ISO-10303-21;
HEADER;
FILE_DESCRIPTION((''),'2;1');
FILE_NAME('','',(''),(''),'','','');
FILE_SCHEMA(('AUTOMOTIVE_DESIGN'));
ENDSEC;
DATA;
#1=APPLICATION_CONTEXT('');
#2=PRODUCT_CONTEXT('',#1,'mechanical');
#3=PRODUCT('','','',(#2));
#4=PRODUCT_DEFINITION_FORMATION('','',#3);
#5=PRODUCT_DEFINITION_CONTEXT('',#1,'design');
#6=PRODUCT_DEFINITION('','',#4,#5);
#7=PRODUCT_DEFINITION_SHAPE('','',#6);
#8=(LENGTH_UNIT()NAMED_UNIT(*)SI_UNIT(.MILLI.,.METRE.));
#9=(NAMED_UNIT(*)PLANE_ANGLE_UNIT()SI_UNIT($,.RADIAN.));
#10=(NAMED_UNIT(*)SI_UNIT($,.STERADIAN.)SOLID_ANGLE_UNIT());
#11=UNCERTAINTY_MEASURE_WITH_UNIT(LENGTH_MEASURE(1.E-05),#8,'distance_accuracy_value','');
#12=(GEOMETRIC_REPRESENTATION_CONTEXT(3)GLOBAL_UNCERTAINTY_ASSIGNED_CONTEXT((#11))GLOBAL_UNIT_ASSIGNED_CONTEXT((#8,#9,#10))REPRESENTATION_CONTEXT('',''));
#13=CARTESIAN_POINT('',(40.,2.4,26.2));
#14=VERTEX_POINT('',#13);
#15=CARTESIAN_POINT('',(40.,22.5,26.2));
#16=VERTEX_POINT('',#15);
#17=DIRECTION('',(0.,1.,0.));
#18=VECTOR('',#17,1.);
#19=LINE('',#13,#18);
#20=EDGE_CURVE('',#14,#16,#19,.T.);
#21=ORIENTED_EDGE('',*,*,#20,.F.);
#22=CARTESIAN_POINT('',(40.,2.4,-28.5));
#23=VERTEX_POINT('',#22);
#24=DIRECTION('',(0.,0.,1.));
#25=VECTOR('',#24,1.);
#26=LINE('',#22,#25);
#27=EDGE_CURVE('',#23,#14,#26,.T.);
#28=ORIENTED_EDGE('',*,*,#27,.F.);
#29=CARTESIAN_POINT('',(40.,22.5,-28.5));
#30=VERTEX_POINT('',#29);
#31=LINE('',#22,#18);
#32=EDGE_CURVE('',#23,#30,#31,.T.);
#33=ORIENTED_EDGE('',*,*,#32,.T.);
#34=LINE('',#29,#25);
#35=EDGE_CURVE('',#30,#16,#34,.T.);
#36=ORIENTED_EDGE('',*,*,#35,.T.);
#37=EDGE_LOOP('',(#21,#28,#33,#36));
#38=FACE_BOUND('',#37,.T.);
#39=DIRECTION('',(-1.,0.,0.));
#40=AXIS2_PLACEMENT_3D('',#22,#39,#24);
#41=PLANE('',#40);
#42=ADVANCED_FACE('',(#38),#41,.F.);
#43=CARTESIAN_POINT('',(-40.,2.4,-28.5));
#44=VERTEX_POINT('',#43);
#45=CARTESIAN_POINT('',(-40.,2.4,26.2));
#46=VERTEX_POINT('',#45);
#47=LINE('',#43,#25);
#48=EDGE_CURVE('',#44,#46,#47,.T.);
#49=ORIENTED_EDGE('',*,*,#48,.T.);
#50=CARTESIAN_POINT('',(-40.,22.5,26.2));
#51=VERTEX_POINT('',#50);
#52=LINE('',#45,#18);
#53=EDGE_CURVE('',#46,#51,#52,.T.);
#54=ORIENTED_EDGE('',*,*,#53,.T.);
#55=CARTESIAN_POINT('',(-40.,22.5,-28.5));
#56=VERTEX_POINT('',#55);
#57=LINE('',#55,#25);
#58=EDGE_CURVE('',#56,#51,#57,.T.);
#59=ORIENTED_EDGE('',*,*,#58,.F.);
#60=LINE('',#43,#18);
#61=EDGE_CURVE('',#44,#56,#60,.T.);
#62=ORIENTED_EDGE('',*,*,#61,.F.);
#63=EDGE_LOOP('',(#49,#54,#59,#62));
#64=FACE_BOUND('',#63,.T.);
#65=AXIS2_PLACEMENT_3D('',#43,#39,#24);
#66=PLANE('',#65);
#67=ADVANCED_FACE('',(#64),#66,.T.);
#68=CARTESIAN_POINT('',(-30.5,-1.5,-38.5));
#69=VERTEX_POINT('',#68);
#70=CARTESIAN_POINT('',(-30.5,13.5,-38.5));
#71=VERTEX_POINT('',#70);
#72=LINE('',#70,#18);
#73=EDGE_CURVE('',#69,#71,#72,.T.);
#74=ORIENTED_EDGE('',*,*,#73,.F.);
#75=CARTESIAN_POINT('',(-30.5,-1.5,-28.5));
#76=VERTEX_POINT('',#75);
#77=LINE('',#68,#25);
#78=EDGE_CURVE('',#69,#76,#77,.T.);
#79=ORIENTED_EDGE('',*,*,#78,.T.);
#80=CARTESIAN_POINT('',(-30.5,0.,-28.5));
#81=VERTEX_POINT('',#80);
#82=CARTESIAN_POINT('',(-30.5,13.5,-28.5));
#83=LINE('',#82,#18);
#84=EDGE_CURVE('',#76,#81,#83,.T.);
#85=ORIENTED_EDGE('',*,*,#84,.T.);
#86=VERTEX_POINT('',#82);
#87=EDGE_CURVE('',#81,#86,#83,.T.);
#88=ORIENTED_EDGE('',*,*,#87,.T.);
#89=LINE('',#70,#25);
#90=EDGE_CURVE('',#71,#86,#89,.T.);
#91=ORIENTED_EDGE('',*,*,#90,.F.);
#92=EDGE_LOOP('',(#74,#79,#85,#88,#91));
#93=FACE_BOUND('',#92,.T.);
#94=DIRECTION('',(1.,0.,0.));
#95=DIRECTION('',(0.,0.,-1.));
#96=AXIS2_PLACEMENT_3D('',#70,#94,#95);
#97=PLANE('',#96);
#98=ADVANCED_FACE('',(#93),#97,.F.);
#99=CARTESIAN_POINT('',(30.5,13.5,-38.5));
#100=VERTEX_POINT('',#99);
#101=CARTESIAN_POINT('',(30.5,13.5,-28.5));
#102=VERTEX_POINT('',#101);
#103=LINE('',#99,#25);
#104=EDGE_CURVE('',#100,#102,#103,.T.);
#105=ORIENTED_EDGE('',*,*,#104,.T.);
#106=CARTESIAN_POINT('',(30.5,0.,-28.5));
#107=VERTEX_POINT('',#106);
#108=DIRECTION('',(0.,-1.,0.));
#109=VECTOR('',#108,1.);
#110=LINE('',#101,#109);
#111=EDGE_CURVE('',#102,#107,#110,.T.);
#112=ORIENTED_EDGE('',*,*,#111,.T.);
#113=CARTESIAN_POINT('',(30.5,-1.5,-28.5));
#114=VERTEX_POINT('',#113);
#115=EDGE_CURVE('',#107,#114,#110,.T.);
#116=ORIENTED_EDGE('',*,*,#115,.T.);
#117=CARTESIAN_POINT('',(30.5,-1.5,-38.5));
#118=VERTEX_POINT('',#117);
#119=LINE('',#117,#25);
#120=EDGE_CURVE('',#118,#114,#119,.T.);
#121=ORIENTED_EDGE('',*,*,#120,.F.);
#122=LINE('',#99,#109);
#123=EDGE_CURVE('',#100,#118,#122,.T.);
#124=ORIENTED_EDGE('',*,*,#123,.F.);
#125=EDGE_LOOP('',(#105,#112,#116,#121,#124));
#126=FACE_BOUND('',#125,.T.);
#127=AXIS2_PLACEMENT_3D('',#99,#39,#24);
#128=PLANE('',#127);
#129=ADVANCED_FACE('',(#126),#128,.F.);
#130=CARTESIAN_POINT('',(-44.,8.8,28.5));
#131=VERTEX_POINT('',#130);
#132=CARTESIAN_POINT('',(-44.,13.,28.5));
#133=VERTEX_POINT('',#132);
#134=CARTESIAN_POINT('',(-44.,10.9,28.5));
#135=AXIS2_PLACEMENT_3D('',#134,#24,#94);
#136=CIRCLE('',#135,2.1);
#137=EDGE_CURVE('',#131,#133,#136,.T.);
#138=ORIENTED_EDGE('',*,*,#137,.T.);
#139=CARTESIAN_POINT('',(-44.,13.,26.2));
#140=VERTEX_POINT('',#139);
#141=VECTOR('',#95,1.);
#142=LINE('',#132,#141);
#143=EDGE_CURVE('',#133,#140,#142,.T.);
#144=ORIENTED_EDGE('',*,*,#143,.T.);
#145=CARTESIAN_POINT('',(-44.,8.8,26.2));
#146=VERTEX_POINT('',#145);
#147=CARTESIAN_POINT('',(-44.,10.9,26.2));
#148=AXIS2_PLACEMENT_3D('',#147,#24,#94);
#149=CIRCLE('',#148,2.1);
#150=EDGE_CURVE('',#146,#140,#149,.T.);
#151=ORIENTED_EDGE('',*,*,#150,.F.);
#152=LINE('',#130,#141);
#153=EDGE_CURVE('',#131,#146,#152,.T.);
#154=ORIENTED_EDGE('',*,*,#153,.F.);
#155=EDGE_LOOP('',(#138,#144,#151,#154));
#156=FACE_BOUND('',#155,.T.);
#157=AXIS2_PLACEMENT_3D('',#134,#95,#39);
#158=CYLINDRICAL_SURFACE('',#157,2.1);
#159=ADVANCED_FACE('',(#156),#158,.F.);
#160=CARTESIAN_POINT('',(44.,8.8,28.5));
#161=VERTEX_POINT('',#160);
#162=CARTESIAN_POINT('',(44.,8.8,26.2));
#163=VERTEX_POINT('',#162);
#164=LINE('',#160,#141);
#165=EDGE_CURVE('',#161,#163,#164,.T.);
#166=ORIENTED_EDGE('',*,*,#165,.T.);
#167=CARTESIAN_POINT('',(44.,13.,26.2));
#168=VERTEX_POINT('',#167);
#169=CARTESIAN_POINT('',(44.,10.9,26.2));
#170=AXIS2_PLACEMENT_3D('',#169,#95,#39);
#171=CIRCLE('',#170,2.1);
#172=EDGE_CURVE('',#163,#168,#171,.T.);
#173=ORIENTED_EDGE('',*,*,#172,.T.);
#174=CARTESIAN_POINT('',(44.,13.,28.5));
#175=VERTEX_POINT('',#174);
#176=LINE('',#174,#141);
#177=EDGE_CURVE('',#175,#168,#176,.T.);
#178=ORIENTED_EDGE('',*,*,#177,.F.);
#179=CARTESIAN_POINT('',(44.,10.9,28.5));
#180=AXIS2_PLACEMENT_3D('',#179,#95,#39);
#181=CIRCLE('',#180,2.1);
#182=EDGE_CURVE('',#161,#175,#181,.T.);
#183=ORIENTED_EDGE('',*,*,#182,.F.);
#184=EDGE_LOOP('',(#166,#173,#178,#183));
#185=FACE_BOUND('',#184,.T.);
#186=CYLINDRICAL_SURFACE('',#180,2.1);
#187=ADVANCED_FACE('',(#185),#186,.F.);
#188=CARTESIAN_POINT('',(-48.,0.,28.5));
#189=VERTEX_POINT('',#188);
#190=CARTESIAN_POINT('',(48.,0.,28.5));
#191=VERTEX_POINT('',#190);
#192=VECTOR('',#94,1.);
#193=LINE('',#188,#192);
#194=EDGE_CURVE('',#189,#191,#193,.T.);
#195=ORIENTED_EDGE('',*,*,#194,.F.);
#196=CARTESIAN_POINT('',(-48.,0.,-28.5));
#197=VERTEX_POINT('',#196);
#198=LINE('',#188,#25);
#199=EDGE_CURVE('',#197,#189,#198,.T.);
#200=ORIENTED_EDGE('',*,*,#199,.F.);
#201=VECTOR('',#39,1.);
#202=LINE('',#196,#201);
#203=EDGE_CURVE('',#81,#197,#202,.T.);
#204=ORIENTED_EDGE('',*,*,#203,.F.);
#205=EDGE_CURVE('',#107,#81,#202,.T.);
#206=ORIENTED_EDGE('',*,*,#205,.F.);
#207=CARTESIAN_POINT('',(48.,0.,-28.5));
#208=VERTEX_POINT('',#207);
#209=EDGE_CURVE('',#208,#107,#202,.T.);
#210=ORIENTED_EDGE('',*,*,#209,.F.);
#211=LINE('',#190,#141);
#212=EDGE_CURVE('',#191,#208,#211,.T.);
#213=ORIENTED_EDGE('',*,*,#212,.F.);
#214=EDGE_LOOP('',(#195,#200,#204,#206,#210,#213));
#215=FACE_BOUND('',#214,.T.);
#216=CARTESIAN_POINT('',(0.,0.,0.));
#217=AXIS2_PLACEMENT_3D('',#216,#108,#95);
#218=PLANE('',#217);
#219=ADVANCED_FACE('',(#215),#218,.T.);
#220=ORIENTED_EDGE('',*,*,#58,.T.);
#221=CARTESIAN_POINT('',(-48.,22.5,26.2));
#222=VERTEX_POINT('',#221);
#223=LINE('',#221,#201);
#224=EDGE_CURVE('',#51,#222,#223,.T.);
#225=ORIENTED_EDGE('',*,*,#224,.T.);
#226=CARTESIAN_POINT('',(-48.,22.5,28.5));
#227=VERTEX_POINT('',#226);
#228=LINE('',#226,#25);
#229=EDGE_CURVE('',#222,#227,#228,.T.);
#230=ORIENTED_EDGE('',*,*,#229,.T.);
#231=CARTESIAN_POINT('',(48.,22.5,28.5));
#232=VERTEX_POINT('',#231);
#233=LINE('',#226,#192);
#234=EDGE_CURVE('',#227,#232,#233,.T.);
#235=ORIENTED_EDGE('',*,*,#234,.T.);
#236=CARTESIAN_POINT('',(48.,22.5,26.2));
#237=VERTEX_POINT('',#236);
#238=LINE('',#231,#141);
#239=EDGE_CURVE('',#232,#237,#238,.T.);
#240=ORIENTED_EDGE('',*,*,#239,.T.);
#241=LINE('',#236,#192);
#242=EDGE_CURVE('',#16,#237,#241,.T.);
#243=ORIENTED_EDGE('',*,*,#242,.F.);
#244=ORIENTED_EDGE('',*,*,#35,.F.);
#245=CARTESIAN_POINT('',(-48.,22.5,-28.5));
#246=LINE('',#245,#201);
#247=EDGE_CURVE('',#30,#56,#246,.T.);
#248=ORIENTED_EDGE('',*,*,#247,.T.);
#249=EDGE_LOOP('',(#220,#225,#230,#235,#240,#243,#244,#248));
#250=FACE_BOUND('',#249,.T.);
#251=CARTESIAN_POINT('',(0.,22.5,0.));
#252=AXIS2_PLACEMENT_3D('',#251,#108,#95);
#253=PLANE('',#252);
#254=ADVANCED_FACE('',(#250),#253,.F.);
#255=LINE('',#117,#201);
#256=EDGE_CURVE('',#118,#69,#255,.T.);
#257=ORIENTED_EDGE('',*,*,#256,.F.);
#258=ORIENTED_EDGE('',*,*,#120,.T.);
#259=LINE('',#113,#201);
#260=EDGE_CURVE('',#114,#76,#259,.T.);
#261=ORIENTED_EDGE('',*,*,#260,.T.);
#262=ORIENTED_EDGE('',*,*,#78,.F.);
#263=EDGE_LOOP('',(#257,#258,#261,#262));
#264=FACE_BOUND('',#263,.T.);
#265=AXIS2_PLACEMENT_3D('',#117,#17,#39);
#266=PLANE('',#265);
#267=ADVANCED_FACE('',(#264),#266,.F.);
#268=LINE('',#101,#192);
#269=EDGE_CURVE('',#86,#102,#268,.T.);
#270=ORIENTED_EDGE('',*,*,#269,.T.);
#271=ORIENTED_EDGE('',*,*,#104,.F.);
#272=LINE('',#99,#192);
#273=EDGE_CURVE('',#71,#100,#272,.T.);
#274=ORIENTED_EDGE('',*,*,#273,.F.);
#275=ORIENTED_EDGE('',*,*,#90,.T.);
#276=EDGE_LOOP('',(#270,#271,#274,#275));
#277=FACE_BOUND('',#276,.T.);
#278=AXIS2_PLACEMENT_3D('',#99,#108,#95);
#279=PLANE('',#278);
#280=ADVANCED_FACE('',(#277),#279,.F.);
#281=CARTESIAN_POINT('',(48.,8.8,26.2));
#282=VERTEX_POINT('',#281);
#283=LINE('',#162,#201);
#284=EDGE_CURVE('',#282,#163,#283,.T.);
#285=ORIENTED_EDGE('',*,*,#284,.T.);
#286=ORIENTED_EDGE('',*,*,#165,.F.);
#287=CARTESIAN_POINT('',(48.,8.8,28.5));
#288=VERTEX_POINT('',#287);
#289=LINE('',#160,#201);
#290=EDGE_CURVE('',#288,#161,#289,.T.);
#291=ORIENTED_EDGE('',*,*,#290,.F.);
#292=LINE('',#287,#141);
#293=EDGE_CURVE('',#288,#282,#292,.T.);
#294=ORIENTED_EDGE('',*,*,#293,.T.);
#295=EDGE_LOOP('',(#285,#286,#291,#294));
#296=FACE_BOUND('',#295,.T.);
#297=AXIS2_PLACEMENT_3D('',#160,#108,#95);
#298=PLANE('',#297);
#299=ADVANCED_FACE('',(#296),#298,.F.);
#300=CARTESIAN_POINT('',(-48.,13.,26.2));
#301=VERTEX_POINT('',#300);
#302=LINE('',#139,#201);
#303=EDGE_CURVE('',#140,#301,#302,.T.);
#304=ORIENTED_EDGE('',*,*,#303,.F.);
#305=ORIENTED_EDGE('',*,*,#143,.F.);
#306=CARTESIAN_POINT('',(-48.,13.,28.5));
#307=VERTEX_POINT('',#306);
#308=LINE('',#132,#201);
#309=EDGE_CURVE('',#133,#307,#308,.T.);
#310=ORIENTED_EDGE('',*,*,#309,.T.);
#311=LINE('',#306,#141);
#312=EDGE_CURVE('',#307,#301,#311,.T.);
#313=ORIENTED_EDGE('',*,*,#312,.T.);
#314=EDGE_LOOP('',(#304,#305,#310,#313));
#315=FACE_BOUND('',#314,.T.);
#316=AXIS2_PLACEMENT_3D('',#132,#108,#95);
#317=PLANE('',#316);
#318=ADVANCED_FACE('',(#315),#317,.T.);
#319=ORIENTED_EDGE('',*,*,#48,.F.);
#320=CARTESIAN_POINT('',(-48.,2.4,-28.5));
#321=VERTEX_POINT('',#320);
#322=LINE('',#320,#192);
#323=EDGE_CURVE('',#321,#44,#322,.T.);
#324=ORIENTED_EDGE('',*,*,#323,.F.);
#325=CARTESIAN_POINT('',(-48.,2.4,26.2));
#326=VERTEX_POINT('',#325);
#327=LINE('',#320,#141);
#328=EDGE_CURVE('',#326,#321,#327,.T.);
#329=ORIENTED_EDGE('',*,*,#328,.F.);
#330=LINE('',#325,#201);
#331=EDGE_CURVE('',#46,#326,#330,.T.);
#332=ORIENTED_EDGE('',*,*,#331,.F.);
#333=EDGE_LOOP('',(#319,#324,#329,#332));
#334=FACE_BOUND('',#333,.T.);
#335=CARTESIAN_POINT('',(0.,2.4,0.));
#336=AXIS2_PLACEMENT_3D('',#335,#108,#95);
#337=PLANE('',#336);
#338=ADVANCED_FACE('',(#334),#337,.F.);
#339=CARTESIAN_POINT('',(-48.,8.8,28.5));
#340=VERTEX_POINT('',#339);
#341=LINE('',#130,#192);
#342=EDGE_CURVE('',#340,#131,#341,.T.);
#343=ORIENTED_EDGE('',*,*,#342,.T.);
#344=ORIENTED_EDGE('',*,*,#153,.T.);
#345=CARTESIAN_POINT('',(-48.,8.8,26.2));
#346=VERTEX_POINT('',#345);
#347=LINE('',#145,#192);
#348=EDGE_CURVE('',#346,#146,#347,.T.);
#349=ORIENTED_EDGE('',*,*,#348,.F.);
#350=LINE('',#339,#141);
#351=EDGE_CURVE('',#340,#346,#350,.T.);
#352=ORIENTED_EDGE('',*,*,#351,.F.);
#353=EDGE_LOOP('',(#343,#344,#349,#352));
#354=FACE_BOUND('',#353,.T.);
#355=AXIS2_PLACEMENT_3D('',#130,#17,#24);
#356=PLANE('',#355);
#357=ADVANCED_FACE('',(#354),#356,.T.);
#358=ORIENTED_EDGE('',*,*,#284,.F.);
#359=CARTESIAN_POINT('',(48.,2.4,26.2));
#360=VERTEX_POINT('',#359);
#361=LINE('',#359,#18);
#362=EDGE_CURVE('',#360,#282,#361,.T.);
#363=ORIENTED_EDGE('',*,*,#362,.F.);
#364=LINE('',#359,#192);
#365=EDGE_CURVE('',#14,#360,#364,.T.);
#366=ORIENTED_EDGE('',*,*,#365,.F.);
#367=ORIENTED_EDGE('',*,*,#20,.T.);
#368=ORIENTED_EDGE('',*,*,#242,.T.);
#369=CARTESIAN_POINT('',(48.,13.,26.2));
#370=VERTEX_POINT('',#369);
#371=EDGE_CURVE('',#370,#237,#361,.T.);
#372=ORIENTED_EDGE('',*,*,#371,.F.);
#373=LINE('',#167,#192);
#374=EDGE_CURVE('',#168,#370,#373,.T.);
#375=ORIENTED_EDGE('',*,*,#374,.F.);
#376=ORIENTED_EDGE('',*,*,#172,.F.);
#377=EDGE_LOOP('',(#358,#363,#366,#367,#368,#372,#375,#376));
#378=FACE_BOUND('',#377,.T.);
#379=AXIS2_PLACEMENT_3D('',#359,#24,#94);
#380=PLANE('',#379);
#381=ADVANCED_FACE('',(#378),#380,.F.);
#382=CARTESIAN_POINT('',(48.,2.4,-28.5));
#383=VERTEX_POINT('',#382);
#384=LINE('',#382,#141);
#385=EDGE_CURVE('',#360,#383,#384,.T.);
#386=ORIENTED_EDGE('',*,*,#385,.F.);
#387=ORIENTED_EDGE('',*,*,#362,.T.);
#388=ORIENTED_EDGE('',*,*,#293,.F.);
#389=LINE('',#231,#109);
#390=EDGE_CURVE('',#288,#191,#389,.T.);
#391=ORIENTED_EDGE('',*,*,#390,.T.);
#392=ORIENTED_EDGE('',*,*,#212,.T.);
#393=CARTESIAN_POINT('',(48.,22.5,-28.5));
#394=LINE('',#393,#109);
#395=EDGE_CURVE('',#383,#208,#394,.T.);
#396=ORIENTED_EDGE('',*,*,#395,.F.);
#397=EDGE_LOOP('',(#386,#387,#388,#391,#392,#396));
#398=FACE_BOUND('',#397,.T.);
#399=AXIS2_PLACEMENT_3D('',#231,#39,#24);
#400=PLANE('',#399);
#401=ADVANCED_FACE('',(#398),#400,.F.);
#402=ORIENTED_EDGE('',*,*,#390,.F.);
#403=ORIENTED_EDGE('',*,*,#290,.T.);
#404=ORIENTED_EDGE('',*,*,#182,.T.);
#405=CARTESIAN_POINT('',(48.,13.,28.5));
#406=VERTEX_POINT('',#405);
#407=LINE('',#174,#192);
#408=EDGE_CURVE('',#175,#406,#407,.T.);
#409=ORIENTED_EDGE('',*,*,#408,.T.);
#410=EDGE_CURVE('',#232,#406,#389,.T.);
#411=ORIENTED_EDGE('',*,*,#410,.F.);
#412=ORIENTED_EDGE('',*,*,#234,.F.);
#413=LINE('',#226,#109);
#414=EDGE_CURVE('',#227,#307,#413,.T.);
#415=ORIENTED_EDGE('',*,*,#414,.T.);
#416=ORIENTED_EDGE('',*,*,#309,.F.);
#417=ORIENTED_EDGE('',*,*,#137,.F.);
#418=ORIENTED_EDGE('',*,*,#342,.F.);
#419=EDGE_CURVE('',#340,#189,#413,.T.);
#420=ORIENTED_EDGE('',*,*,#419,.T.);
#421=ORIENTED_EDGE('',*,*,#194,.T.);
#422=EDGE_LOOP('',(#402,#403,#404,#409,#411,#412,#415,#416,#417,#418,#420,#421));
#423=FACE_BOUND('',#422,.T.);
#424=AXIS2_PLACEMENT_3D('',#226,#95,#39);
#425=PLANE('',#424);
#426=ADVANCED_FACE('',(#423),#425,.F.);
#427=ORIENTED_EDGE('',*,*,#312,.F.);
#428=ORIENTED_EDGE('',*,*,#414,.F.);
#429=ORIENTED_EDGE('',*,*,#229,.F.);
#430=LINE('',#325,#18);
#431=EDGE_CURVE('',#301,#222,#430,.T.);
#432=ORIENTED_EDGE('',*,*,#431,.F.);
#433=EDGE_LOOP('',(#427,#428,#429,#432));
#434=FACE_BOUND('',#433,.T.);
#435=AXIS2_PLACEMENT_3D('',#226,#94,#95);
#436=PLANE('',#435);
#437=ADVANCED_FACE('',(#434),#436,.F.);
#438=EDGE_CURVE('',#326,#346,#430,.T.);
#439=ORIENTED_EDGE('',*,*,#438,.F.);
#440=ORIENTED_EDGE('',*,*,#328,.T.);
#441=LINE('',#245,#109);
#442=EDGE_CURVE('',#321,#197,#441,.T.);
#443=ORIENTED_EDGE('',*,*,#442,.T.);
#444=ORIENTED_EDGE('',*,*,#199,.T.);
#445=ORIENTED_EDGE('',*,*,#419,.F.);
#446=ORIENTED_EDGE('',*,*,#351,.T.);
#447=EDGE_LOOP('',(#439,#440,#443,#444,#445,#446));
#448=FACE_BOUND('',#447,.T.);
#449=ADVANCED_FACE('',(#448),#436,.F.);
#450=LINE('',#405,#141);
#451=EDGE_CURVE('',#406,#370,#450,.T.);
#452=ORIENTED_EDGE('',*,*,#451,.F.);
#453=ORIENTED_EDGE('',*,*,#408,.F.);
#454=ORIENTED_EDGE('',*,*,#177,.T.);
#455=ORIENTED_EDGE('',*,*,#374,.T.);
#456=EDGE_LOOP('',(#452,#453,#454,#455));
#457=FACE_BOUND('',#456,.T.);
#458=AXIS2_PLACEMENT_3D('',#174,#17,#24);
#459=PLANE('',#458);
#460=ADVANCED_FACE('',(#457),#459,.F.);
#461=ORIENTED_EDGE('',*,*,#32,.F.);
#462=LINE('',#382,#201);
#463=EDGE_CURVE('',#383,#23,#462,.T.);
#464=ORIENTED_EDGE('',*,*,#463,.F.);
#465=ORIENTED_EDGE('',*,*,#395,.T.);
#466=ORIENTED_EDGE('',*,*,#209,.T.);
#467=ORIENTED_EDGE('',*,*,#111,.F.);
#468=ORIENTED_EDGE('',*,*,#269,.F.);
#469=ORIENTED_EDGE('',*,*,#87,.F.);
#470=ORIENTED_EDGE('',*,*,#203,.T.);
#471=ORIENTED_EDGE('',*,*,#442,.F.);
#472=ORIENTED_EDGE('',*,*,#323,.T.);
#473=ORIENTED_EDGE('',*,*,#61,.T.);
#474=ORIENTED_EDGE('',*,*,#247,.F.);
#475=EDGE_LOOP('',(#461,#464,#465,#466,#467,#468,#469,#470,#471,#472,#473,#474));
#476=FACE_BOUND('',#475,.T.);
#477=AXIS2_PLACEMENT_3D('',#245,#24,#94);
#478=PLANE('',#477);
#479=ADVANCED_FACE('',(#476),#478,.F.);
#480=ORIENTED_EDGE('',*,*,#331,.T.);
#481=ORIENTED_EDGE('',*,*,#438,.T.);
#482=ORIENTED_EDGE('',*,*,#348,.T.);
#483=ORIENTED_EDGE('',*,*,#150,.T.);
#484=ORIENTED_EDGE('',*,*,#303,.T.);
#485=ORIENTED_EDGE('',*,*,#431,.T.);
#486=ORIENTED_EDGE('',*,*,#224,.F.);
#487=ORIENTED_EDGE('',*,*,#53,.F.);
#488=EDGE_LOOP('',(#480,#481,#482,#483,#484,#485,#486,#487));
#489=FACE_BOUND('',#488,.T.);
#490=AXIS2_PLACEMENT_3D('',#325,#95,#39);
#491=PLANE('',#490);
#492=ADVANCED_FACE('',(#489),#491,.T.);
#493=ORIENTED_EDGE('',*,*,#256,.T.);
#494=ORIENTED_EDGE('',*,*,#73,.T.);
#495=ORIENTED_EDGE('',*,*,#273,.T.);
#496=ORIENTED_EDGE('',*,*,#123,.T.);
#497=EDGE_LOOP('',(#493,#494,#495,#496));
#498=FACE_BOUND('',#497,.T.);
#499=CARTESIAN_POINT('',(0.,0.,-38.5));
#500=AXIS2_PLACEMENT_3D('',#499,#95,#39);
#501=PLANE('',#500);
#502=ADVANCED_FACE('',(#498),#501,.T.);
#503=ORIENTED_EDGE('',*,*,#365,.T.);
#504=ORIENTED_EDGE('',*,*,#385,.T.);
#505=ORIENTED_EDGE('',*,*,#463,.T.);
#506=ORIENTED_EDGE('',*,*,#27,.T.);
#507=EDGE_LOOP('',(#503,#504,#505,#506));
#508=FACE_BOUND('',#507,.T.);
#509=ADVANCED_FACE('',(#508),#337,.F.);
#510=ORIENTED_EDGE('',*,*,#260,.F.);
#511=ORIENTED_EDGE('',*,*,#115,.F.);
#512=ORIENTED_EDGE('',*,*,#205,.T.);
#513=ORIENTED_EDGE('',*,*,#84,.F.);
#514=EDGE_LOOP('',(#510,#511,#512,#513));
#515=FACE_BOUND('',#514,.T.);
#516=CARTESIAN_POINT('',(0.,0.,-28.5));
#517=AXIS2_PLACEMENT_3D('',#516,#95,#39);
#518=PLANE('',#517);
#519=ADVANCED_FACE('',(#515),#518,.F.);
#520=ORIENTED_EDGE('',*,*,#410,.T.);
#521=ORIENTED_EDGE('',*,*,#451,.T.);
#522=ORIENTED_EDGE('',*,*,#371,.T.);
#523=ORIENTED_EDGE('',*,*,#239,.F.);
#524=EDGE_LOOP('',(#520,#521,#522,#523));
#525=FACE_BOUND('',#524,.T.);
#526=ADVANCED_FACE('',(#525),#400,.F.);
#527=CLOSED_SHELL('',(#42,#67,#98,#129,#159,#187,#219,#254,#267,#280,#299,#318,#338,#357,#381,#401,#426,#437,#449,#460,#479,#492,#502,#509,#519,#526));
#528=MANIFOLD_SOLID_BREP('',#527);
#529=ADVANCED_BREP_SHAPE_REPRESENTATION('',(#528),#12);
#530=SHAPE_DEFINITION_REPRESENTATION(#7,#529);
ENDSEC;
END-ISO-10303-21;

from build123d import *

# Parameters (mm, degrees)
SKETCH_1_W          = 96
SKETCH_1_H          = 57
EXTRUDE_1_DEPTH     = 22.5
SKETCH_2_W          = 61
SKETCH_2_H          = 15
EXTRUDE_2_DEPTH     = 10
SKETCH_3_W          = 8
SKETCH_3_H          = 54.7
CUT_EXTRUDE_1_DEPTH = 20.1
CUT_EXTRUDE_2_DEPTH = 84.64412711


with BuildPart() as part:
    # 草图1 → 凸台-拉伸1 (new body)
    with BuildSketch(Plane(origin=(0, 0, 0), x_dir=(1, 0, 0), z_dir=(0, 1, 0))):
        Rectangle(SKETCH_1_W, SKETCH_1_H)
    extrude(amount=EXTRUDE_1_DEPTH)

    # 草图2 → 凸台-拉伸2 (add)
    with BuildSketch(Plane(origin=(0, 0, -28.5), x_dir=(-1, 0, 0), z_dir=(0, 0, -1))):
        with Locations((0, 6)):
            Rectangle(SKETCH_2_W, SKETCH_2_H)
    extrude(amount=EXTRUDE_2_DEPTH)

    # 草图3 → 切除-拉伸1 (cut)
    with BuildSketch(Plane(origin=(0, 22.5, 0), x_dir=(1, 0, 0), z_dir=(0, 1, 0))):
        with Locations((44, 1.15)):
            Rectangle(SKETCH_3_W, SKETCH_3_H)
    cut_extrude_1 = extrude(amount=-CUT_EXTRUDE_1_DEPTH, mode=Mode.SUBTRACT)

    # 草图4 → 切除-拉伸2 (cut, through all)
    with BuildSketch(Plane(origin=(0, 0, 26.2), x_dir=(-1, 0, 0), z_dir=(0, 0, -1))):
        with BuildLine():
            Line((-44, 8.8), (-48, 8.8))
            Line((-48, 8.8), (-48, 13))
            Line((-48, 13), (-44, 13))
            ThreePointArc((-44, 13), (-41.9, 10.9), (-44, 8.8))
        make_face()
    cut_extrude_2 = extrude(amount=-CUT_EXTRUDE_2_DEPTH, mode=Mode.SUBTRACT)

    # 镜向2: 切除-拉伸1, 切除-拉伸2 across plane
    add(cut_extrude_1.mirror(Plane(origin=(0, 0, 0), x_dir=(0, 0, 1), z_dir=(1, 0, 0))), mode=Mode.SUBTRACT)
    add(cut_extrude_2.mirror(Plane(origin=(0, 0, 0), x_dir=(0, 0, 1), z_dir=(1, 0, 0))), mode=Mode.SUBTRACT)


solid = part.part
